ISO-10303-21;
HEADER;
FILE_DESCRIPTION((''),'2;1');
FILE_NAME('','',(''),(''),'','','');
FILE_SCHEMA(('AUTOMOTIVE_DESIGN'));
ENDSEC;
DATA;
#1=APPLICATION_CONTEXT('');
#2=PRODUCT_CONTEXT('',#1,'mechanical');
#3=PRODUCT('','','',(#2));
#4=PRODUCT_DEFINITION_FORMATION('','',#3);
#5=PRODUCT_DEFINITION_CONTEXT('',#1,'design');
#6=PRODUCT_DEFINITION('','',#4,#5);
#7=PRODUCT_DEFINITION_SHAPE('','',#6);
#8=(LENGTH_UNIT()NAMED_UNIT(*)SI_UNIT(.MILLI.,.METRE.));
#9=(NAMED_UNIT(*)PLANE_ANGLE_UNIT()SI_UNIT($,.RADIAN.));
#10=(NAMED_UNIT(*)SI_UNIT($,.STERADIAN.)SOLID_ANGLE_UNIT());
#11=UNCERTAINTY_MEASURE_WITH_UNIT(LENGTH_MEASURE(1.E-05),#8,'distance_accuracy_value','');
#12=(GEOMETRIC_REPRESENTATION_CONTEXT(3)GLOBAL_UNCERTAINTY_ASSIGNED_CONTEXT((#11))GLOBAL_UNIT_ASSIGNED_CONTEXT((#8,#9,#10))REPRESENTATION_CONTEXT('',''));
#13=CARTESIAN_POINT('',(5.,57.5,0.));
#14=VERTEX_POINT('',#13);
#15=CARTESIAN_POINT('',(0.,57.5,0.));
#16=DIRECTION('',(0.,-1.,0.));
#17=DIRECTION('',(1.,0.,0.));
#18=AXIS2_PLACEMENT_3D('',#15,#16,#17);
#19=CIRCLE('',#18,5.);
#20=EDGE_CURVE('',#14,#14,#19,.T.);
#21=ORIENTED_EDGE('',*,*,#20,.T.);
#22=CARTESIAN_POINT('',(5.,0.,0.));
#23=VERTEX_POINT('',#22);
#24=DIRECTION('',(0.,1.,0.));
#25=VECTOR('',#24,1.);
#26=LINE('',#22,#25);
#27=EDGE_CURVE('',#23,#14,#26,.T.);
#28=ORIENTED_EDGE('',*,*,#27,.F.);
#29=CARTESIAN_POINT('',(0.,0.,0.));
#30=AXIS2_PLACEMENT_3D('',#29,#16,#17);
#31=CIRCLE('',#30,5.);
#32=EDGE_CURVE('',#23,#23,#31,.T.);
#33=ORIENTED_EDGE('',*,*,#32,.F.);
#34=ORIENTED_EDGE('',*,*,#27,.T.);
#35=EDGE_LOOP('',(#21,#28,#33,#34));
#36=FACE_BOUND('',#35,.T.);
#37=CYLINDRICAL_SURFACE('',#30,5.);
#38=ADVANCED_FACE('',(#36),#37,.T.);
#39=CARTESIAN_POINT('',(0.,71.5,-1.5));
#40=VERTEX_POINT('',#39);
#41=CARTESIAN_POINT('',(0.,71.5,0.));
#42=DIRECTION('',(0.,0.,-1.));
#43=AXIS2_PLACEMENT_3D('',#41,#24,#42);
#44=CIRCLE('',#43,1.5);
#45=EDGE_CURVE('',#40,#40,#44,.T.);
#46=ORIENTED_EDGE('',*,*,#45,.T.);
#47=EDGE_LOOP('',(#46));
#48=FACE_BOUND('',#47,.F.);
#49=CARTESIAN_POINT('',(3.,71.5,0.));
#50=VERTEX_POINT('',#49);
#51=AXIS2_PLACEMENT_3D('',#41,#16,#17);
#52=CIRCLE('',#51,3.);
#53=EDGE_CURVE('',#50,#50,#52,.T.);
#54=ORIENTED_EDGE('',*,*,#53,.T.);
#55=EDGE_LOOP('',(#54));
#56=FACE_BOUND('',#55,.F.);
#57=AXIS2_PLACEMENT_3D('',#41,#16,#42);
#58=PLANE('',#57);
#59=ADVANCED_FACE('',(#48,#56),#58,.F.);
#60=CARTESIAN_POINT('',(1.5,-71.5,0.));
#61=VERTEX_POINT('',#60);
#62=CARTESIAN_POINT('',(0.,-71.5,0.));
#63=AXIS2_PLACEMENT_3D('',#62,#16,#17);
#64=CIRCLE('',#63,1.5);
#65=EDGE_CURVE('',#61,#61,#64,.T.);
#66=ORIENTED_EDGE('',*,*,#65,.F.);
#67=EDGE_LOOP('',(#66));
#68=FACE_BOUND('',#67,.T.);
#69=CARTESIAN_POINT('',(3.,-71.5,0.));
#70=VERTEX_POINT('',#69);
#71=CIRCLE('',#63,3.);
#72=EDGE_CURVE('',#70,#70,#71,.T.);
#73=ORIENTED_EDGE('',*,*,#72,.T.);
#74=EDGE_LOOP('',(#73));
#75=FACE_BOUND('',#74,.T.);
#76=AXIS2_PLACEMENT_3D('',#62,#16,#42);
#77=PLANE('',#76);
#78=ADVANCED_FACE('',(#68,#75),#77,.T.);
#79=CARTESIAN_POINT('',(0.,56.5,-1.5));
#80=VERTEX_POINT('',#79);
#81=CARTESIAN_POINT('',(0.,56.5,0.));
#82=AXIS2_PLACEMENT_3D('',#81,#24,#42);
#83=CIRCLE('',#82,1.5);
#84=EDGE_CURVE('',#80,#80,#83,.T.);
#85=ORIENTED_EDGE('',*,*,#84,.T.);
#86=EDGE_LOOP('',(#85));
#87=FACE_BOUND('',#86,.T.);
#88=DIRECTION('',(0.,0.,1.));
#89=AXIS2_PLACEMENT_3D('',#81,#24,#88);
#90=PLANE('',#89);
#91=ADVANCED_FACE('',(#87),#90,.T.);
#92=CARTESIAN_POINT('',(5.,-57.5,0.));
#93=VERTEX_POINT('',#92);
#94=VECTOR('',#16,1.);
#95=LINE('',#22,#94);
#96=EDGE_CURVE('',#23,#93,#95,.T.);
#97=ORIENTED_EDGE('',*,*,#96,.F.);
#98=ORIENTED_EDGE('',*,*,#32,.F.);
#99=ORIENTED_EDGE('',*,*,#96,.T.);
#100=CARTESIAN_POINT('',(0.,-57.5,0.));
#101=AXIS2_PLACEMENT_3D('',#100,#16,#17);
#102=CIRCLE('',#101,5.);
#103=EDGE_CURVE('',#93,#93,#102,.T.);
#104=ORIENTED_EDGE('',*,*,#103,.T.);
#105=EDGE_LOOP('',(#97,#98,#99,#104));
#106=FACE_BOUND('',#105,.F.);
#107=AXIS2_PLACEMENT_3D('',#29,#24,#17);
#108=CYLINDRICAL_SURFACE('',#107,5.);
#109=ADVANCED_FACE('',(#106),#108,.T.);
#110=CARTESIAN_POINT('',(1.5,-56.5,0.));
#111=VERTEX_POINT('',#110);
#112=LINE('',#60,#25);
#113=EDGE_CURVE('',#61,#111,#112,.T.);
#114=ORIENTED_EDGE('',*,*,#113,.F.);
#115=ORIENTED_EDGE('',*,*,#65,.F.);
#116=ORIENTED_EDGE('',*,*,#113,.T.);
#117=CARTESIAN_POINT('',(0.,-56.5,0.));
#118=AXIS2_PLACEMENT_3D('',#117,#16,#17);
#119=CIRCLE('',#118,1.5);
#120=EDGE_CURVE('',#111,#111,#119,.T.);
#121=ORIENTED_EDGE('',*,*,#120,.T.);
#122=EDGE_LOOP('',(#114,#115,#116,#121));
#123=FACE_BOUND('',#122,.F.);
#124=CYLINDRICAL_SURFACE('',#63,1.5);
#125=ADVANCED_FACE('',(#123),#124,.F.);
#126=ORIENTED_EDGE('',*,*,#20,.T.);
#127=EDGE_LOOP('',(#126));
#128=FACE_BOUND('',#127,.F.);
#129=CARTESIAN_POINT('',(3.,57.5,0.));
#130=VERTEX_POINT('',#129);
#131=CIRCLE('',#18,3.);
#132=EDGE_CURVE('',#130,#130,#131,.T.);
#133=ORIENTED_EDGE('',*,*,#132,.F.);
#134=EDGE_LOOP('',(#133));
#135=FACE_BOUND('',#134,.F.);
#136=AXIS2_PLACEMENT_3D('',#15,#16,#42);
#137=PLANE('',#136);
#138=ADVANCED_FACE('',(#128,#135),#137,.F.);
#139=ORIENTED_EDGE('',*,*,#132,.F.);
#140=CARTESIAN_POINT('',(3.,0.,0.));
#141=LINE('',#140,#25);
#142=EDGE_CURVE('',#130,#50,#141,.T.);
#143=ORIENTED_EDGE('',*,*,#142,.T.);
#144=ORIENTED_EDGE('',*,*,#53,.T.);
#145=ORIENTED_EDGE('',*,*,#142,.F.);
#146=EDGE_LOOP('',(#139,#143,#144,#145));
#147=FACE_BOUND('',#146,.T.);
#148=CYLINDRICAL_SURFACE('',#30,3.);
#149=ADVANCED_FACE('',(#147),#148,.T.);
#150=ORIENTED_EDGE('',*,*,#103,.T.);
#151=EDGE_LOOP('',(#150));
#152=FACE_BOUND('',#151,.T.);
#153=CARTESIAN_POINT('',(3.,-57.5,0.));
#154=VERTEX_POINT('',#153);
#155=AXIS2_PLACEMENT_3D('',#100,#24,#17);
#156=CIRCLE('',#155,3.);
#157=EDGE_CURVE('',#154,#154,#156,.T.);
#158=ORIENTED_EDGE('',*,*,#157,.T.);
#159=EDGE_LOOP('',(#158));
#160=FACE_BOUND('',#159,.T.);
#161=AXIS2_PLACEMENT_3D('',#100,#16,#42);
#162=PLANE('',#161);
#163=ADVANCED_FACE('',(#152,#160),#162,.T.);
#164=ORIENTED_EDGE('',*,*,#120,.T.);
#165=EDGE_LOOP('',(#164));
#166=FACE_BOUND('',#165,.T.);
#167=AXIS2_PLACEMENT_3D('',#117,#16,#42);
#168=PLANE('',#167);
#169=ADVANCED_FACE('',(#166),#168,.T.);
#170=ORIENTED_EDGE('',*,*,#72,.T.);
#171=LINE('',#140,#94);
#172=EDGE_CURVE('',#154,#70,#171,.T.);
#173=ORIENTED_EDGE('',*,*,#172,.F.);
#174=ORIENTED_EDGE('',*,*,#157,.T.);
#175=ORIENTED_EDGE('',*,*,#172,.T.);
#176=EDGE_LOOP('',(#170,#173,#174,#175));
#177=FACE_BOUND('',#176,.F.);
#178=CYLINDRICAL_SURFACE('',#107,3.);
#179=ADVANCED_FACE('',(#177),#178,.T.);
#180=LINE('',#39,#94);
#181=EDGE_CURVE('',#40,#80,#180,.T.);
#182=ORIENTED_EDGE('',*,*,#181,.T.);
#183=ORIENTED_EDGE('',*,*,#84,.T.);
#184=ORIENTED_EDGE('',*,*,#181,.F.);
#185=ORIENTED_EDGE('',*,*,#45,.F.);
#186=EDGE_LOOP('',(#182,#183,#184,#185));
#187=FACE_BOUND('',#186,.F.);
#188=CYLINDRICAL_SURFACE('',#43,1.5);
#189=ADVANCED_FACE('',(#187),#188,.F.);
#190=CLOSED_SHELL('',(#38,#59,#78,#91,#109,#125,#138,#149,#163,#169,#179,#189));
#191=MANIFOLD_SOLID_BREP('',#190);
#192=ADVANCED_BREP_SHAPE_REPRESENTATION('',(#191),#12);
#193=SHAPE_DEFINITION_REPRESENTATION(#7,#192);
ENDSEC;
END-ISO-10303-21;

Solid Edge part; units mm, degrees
sketch "Sketch1" plane through (0, 0, 0) normal (0, -1, 0) x (1, 0, 0)
  circle A0 centre (0, 0) radius 5
extrude "Protrusion1" add sketch "Sketch1" along normal mid plane 115
sketch "Sketch2" plane through (0, 0, 0) normal (0, -1, 0) x (1, 0, 0)
  circle A0 centre (0, 0) radius 3
extrude "ExtrudedProtrusion_2" add sketch "Sketch2" along normal mid plane 143
sketch "Sketch3" plane through (0, -71.5, 0) normal (0, -1, 0) x (1, 0, 0)
  circle A0 centre (0, 0) radius 1.5
extrude "ExtrudedCutout_1" cut sketch "Sketch3" against normal blind 15
sketch "Sketch4" plane through (0, 71.5, 0) normal (0, 1, 0) x (0, 0, -1)
  circle A0 centre (0, 0) radius 1.5
extrude "ExtrudedCutout_2" cut sketch "Sketch4" against normal blind 15
properties material "Aluminum, 5050"
